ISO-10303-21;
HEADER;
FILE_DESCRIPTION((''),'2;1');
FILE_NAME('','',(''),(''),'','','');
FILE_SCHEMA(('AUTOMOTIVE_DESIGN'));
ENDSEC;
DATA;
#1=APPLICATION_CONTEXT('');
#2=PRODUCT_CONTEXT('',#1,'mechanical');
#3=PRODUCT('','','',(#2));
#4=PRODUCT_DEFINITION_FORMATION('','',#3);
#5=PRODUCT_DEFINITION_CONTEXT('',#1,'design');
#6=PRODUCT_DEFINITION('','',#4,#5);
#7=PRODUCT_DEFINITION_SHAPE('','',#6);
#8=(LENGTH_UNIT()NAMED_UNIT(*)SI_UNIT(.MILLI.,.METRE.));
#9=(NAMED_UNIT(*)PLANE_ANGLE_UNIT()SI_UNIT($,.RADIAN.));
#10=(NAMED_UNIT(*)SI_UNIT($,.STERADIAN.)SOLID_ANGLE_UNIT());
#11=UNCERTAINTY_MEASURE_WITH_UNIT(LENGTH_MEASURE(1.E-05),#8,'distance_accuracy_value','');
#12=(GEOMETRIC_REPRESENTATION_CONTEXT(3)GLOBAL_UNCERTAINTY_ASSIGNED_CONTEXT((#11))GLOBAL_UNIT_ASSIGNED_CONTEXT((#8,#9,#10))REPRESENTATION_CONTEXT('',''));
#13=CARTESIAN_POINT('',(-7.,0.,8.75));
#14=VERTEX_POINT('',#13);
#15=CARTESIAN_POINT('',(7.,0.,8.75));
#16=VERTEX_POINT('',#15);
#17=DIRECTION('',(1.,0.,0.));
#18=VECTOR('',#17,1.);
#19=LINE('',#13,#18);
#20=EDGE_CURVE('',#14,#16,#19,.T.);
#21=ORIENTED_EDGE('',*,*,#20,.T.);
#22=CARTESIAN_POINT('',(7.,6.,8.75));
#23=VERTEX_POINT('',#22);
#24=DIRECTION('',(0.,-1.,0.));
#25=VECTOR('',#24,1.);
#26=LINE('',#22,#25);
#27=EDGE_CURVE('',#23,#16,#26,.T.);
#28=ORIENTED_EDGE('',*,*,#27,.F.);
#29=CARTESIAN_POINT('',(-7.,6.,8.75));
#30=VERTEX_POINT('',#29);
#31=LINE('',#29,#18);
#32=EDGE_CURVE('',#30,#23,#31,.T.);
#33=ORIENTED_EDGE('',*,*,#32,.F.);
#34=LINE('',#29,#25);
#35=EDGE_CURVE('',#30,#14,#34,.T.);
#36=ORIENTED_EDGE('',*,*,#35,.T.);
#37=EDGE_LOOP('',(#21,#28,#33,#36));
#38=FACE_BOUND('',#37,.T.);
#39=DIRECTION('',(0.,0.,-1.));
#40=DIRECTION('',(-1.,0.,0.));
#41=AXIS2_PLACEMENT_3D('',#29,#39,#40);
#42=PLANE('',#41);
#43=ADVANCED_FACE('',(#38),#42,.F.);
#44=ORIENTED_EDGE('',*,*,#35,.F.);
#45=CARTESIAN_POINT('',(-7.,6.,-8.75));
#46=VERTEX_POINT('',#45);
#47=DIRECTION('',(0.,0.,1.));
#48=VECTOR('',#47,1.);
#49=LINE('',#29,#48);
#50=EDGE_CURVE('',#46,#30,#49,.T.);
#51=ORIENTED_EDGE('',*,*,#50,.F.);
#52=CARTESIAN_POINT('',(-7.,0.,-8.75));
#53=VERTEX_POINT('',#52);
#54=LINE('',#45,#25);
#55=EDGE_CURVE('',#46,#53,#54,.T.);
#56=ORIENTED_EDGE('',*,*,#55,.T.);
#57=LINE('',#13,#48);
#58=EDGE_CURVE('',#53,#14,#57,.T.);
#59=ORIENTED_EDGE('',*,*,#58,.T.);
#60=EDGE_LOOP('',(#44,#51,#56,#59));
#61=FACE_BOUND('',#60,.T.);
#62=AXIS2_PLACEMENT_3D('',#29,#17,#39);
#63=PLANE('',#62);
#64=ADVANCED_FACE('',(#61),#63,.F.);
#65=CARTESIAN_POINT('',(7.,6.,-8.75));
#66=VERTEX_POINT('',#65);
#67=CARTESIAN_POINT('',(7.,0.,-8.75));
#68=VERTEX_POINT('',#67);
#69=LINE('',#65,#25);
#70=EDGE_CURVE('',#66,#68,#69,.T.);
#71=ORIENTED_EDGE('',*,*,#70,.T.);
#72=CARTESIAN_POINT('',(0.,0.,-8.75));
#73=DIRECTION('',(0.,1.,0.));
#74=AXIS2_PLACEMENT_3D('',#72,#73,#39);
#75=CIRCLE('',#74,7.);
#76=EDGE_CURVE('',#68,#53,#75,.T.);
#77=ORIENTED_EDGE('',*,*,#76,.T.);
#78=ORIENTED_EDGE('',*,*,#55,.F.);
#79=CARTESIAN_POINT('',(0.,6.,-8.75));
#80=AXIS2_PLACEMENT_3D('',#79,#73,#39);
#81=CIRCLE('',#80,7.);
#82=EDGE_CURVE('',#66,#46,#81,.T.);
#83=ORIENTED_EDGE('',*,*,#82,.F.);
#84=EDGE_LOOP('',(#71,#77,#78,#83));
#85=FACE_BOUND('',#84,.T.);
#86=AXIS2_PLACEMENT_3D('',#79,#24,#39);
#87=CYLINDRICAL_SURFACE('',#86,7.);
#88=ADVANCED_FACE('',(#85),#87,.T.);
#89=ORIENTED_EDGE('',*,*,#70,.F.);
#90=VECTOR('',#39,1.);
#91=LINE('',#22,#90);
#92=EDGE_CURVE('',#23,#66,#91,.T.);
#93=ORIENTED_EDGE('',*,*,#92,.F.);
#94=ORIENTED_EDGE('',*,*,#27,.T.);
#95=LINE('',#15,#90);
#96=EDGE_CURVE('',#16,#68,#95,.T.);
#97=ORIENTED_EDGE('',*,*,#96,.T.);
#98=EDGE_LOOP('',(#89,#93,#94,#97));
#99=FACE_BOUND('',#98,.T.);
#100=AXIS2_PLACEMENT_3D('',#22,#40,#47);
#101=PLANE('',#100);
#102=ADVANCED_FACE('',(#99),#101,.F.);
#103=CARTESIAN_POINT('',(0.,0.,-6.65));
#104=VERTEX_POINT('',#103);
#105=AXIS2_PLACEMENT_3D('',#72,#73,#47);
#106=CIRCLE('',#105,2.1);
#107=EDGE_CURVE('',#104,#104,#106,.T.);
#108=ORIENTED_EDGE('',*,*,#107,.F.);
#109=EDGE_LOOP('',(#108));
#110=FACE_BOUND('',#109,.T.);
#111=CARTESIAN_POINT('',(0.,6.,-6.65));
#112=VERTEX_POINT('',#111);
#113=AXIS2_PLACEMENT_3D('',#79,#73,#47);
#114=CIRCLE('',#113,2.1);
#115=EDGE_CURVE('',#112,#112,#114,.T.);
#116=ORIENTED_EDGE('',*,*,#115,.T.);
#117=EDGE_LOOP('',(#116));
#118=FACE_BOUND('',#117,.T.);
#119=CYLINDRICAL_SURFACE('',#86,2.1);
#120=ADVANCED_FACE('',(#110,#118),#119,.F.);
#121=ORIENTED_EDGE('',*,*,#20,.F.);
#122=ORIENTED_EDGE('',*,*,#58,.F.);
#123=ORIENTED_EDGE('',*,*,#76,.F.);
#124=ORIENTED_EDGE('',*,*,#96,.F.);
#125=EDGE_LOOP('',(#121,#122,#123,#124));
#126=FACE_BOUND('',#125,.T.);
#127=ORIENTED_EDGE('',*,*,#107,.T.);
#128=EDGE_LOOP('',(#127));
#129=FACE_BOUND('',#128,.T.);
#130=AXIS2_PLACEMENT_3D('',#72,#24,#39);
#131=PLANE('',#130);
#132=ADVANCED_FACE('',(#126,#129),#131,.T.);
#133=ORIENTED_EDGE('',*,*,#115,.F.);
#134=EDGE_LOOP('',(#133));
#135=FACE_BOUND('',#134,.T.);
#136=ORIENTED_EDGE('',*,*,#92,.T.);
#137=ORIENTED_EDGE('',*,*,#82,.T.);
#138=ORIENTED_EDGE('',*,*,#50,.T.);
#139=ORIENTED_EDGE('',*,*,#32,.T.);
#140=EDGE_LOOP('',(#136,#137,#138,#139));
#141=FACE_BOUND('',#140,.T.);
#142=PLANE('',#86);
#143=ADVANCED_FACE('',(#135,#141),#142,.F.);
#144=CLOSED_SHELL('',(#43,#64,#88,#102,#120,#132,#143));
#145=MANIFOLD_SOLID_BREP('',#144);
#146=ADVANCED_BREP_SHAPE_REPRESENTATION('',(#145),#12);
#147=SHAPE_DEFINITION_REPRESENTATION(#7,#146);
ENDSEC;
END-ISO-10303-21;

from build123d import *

# Parameters (mm, degrees)
SKETCH1_R           = 2.1
BOSS_EXTRUDE1_DEPTH = 6


with BuildPart() as part:
    # Sketch1 → Boss-Extrude1 (new body)
    with BuildSketch(Plane(origin=(0, 0, 0), x_dir=(1, 0, 0), z_dir=(0, 1, 0))):
        with BuildLine():
            Line((-7, -8.75), (7, -8.75))
            Line((7, -8.75), (7, 8.75))
            ThreePointArc((7, 8.75), (0, 15.75), (-7, 8.75))
            Line((-7, 8.75), (-7, -8.75))
        make_face()
        with Locations((0, 8.75)):
            Circle(SKETCH1_R, mode=Mode.SUBTRACT)
    extrude(amount=BOSS_EXTRUDE1_DEPTH)


solid = part.part
